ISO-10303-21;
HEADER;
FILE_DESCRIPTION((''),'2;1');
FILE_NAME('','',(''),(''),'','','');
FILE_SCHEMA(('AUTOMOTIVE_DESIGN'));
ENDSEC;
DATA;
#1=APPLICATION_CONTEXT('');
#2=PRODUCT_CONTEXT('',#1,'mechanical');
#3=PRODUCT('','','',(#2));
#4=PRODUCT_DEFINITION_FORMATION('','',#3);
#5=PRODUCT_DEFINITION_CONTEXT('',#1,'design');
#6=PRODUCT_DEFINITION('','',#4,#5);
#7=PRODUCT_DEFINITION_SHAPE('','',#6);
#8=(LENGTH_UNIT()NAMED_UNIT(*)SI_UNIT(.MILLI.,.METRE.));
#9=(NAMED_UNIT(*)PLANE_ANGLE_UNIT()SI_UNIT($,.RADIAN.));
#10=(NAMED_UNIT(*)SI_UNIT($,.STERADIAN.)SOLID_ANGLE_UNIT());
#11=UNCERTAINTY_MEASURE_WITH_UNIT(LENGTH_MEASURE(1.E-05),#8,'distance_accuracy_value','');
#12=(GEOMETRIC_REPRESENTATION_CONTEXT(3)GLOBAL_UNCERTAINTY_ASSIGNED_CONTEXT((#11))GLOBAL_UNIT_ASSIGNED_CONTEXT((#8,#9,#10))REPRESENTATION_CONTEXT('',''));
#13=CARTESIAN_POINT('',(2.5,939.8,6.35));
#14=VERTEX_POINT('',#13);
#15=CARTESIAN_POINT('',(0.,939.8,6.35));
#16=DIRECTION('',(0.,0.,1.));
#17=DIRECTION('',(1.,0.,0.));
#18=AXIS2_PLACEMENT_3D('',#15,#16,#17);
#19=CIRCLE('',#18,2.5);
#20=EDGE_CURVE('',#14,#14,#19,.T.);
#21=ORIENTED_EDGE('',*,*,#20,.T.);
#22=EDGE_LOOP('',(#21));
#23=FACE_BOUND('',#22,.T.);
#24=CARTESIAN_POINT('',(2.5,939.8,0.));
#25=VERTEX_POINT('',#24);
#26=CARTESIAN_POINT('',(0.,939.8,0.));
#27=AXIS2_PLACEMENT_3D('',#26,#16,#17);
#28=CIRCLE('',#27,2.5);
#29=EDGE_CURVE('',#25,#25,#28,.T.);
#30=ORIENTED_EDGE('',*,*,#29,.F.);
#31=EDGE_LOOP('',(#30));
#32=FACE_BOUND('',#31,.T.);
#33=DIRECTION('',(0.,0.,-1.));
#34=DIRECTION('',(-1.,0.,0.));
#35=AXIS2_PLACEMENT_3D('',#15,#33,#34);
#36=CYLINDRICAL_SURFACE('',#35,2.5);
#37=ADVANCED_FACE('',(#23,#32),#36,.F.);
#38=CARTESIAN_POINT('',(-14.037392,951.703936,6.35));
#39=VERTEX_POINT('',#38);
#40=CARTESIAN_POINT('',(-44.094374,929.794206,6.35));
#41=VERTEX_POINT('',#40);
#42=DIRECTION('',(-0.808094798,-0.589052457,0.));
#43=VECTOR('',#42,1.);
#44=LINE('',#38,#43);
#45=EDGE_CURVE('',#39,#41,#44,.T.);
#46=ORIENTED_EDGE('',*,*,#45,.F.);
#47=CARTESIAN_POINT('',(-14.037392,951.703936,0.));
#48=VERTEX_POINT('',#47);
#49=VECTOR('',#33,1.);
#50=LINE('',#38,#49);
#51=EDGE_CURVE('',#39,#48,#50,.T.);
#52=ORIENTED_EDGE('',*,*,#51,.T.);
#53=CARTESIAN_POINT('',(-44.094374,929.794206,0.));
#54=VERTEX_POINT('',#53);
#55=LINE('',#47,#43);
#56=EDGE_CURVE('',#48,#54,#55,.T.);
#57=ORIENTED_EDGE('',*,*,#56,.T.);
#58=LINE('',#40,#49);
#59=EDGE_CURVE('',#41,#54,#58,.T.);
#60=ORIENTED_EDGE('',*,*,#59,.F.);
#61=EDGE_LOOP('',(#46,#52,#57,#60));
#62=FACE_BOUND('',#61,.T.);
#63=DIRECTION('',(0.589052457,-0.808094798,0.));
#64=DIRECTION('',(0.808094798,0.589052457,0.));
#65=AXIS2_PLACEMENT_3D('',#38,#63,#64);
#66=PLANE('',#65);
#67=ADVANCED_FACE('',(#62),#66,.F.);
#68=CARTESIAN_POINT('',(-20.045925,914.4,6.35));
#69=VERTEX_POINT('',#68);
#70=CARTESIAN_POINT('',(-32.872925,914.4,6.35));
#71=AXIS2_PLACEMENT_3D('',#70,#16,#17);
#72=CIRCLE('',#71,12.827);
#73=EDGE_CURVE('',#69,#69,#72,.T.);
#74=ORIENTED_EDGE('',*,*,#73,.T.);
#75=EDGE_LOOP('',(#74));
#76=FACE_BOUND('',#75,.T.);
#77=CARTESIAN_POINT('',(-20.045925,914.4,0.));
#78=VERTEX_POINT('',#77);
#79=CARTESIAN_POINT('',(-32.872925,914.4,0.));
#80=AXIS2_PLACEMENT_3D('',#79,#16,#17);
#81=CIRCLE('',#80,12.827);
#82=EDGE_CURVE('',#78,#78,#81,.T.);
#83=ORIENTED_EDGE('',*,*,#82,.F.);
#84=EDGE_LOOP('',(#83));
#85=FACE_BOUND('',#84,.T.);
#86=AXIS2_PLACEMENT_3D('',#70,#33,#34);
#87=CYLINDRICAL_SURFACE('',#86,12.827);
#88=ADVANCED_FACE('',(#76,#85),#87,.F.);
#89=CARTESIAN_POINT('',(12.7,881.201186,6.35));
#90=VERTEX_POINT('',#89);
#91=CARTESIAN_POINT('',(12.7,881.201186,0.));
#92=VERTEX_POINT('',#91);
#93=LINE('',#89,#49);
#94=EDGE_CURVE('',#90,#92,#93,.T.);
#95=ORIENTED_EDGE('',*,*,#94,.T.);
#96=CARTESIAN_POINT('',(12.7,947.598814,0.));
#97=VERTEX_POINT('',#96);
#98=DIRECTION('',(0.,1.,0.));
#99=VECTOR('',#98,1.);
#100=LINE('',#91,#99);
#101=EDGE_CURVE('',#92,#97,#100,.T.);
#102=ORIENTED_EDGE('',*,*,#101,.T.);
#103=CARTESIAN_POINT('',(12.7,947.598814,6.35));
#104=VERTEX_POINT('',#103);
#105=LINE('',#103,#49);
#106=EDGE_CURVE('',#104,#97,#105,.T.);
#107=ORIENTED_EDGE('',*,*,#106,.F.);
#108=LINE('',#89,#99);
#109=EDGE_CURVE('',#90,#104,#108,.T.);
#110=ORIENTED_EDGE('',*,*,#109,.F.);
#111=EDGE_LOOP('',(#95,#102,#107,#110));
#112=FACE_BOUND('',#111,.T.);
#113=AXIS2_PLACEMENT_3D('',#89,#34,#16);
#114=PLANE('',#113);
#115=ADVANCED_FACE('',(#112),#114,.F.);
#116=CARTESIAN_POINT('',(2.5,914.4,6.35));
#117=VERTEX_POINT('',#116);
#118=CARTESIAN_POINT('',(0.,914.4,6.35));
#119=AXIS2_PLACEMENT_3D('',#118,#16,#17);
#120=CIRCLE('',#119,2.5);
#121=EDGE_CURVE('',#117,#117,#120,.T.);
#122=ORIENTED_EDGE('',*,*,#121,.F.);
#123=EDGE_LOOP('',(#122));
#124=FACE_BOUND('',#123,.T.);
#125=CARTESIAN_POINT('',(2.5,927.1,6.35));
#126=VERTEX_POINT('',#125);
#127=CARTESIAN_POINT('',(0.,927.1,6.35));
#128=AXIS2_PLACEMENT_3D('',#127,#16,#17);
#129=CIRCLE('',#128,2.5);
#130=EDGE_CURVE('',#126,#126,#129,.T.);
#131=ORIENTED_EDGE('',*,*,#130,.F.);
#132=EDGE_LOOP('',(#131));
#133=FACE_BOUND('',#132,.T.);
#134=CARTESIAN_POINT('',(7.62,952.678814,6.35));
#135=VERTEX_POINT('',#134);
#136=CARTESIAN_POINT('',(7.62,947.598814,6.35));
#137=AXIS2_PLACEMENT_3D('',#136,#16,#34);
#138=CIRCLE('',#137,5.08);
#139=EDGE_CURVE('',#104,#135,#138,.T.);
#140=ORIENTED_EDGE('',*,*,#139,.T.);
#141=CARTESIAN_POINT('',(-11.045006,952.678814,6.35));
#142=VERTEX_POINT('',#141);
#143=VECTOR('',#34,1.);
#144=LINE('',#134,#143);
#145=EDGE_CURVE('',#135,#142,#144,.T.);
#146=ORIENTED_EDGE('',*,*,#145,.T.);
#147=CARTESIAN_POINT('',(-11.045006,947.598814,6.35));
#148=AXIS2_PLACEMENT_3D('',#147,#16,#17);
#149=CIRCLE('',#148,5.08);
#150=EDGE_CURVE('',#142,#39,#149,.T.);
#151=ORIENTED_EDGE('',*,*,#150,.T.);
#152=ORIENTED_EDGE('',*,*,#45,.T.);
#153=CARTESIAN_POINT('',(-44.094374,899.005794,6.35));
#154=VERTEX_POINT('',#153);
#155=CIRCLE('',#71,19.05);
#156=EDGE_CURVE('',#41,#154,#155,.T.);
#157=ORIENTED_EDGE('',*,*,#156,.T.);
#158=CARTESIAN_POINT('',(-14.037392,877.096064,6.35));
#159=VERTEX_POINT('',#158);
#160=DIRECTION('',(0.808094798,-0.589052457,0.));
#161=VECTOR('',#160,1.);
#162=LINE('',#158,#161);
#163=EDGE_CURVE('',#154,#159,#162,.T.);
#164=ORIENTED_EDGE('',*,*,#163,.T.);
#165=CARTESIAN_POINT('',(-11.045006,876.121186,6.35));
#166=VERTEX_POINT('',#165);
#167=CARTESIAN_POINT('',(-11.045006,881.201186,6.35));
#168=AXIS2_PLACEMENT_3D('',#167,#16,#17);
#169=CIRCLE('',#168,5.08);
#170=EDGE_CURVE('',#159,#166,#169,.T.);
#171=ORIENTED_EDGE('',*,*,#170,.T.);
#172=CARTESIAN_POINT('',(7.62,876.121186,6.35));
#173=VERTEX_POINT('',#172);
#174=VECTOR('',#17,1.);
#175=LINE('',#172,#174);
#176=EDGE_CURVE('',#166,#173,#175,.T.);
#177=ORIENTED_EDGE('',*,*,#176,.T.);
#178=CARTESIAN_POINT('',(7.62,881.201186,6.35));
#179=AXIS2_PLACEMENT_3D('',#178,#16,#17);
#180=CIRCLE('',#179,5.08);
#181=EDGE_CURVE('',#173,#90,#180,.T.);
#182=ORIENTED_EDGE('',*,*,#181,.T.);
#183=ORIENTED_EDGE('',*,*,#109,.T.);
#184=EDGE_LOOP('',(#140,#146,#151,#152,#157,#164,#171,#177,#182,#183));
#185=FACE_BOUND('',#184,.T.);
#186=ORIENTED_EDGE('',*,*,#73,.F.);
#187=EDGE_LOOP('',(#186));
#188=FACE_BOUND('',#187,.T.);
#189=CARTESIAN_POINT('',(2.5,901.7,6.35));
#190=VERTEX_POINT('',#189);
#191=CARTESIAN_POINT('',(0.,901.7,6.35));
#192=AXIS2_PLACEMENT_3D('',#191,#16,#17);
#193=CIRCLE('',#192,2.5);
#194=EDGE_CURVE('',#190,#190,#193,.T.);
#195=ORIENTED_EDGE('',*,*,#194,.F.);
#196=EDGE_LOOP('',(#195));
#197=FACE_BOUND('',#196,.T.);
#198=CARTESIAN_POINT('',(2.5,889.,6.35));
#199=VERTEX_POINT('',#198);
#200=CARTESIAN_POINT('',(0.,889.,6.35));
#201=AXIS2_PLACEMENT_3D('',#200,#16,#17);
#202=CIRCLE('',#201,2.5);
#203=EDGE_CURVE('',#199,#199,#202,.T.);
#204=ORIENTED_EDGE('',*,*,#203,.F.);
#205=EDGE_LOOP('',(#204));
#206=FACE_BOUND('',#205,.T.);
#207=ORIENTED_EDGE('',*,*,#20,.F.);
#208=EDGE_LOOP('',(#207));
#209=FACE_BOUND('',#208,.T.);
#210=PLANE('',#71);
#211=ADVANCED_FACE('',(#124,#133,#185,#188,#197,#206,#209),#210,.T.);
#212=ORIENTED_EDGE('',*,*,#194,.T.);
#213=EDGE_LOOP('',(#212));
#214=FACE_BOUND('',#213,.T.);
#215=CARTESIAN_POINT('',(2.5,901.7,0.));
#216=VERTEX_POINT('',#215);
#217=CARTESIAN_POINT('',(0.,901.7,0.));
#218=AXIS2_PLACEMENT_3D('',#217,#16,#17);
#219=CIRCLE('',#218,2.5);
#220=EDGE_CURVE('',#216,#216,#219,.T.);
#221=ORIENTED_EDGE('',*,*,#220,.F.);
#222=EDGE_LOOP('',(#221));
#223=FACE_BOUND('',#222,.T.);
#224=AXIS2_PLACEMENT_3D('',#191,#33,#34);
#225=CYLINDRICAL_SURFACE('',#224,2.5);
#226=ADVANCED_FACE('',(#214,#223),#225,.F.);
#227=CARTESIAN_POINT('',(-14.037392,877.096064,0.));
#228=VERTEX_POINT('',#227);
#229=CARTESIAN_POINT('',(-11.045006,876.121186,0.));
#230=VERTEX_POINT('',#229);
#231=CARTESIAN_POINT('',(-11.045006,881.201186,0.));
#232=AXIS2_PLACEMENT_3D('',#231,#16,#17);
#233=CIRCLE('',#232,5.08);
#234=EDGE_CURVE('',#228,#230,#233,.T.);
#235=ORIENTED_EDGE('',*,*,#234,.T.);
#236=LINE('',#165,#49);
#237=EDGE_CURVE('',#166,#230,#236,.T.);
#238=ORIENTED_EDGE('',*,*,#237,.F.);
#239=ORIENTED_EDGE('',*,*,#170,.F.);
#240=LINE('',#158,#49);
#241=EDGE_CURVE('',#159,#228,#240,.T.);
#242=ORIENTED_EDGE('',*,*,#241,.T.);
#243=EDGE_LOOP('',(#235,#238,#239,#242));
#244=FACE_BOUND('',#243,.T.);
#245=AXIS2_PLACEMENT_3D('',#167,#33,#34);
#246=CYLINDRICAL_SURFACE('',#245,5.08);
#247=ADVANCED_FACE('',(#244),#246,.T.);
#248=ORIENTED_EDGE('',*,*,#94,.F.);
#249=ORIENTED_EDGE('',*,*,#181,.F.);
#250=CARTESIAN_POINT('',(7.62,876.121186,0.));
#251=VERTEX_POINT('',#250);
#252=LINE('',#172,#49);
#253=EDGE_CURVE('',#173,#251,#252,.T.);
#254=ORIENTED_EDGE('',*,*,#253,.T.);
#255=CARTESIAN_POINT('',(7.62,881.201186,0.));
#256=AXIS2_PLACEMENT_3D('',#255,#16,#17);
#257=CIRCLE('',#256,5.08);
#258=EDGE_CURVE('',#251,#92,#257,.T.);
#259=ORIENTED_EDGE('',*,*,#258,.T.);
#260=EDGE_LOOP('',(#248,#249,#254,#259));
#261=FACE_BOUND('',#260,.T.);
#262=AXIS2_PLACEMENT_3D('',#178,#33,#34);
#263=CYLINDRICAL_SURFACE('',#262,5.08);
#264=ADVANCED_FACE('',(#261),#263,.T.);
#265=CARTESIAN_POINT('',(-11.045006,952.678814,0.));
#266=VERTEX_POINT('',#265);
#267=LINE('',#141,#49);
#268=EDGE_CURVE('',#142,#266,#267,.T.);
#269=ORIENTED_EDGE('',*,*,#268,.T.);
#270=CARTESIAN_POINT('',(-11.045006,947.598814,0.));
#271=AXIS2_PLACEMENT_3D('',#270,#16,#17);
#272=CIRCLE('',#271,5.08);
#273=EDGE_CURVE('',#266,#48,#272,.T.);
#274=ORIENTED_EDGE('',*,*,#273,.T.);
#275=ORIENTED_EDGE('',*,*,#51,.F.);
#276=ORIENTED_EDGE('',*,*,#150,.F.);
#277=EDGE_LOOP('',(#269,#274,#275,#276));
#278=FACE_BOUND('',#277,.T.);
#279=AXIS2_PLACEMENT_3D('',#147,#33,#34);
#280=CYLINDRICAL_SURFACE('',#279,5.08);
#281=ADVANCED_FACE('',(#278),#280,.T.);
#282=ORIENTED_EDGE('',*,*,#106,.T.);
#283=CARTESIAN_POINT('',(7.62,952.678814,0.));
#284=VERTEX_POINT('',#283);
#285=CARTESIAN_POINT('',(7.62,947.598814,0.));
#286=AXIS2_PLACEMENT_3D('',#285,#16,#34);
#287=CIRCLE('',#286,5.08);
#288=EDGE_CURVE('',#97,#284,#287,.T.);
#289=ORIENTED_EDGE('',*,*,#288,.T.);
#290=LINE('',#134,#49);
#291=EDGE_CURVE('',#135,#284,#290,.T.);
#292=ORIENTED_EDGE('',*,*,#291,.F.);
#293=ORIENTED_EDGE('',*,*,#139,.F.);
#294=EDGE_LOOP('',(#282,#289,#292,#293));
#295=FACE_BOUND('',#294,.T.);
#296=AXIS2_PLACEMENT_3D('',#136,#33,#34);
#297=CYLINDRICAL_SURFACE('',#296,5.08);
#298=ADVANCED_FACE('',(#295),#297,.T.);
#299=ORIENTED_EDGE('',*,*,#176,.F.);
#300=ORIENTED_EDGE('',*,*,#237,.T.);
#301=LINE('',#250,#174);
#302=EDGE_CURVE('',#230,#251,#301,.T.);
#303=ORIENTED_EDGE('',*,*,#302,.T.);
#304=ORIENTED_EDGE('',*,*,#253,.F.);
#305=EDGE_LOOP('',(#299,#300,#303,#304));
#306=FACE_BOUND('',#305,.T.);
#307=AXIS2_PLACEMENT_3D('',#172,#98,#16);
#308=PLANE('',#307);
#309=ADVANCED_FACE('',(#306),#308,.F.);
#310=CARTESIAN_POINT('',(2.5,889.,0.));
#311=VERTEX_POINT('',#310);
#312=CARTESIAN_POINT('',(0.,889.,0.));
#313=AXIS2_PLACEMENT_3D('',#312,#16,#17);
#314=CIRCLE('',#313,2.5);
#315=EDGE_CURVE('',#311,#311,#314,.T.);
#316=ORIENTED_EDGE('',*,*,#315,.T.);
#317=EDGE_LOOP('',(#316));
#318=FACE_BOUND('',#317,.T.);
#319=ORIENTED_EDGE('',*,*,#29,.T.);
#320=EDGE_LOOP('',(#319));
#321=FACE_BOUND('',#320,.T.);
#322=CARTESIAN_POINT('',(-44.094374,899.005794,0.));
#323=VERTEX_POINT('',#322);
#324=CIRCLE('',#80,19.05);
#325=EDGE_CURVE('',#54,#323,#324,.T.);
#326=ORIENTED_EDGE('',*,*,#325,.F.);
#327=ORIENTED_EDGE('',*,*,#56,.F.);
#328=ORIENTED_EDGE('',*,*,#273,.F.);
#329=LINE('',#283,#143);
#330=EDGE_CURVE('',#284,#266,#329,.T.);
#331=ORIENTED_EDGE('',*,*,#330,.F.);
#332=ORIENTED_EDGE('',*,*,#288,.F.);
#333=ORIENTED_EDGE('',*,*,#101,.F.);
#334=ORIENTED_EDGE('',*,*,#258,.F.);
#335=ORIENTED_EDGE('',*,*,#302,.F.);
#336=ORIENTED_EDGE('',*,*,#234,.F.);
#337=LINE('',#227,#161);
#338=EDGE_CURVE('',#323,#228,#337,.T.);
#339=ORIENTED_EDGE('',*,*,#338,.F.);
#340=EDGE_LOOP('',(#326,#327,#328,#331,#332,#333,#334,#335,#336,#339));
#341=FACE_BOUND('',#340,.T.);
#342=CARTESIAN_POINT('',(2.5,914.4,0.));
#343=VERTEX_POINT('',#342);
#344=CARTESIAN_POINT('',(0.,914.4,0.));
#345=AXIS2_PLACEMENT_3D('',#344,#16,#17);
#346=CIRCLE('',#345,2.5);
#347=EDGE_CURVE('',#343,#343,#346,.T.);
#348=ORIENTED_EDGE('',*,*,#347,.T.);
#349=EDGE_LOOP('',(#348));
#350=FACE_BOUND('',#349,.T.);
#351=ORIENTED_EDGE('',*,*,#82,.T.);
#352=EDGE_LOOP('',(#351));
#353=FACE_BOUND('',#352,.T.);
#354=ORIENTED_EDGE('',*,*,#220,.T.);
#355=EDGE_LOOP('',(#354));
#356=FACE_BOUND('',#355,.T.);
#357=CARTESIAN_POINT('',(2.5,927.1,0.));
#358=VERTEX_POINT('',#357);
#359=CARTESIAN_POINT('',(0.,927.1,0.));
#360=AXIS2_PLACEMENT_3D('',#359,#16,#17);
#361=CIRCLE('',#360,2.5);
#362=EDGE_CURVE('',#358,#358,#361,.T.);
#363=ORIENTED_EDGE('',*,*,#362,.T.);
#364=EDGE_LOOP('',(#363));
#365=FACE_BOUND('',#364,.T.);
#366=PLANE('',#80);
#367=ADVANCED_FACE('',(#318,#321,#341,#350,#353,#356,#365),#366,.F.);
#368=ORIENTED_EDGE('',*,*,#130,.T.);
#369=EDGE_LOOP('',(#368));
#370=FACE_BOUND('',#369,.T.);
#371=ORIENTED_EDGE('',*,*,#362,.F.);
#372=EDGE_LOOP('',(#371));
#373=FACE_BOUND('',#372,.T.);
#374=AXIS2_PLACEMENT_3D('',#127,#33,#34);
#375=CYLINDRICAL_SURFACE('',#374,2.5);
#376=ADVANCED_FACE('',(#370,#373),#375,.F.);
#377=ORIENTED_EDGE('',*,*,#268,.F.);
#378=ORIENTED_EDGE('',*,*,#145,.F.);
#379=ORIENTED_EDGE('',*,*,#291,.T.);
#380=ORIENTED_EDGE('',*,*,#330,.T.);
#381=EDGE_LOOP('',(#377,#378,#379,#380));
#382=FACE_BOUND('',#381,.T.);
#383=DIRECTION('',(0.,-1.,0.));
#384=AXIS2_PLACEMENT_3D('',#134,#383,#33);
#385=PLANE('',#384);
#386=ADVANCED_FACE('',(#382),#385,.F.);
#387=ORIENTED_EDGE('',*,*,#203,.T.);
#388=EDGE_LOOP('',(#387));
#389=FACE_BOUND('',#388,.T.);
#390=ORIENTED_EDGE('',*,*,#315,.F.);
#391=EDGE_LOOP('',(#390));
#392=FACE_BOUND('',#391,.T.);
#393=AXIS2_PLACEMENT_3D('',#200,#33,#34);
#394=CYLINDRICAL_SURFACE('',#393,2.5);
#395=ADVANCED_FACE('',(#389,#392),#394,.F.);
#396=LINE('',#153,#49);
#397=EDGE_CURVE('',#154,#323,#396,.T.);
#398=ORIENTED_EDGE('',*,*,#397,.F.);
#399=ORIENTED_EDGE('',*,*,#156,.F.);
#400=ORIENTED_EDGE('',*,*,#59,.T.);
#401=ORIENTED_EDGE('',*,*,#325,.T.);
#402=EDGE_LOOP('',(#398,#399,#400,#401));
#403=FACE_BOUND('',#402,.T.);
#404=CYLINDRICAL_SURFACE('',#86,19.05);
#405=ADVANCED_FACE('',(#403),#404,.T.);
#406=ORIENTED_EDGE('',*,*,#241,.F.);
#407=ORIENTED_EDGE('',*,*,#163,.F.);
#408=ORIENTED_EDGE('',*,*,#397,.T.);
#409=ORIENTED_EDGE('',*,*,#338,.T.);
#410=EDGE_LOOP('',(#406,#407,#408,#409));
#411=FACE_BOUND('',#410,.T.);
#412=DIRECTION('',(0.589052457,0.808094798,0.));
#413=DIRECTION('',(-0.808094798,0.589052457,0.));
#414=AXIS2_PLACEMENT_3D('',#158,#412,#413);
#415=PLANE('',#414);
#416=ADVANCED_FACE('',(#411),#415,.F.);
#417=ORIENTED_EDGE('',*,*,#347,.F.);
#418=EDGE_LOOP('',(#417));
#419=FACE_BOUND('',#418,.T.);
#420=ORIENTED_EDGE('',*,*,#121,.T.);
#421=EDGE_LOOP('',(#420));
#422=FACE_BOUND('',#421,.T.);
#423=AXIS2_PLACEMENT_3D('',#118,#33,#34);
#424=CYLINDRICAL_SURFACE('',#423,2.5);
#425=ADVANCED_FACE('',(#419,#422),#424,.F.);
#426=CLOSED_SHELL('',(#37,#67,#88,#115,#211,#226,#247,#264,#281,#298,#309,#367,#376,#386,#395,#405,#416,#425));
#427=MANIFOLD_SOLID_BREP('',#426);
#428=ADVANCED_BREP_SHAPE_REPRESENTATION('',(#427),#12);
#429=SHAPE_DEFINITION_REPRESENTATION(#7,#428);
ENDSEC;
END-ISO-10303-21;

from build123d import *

# Parameters (mm, degrees)
SKETCH1_R           = 12.827
SKETCH1_R_2         = 2.5
BOSS_EXTRUDE1_DEPTH = 6.35


with BuildPart() as part:
    # Sketch1 → Boss-Extrude1 (new body)
    with BuildSketch(Plane.XY):
        with BuildLine():
            Line((7.62, 952.678814448), (-11.045005757, 952.678814448))
            ThreePointArc((-11.045005757, 952.678814448), (-12.618597572, 952.428949933), (-14.037392239, 951.703936022))
            Line((-14.037392239, 951.703936022), (-44.094373957, 929.794205904))
            ThreePointArc((-44.094373957, 929.794205904), (-51.922924648, 914.4), (-44.094373957, 899.005794096))
            Line((-44.094373957, 899.005794096), (-14.037392239, 877.096063978))
            ThreePointArc((-14.037392239, 877.096063978), (-12.618597572, 876.371050067), (-11.045005757, 876.121185552))
            Line((-11.045005757, 876.121185552), (7.62, 876.121185552))
            ThreePointArc((7.62, 876.121185552), (11.212102448, 877.609083104), (12.7, 881.201185552))
            Line((12.7, 881.201185552), (12.7, 947.598814448))
            ThreePointArc((12.7, 947.598814448), (11.212102448, 951.190916896), (7.62, 952.678814448))
        make_face()
        with Locations((-32.872924648, 914.4)):
            Circle(SKETCH1_R, mode=Mode.SUBTRACT)
        with Locations((0, 939.8)):
            Circle(SKETCH1_R_2, mode=Mode.SUBTRACT)
        with Locations((0, 927.1)):
            Circle(SKETCH1_R_2, mode=Mode.SUBTRACT)
        with Locations((0, 914.4)):
            Circle(SKETCH1_R_2, mode=Mode.SUBTRACT)
        with Locations((0, 901.7)):
            Circle(SKETCH1_R_2, mode=Mode.SUBTRACT)
        with Locations((0, 889)):
            Circle(SKETCH1_R_2, mode=Mode.SUBTRACT)
    extrude(amount=BOSS_EXTRUDE1_DEPTH)


solid = part.part
